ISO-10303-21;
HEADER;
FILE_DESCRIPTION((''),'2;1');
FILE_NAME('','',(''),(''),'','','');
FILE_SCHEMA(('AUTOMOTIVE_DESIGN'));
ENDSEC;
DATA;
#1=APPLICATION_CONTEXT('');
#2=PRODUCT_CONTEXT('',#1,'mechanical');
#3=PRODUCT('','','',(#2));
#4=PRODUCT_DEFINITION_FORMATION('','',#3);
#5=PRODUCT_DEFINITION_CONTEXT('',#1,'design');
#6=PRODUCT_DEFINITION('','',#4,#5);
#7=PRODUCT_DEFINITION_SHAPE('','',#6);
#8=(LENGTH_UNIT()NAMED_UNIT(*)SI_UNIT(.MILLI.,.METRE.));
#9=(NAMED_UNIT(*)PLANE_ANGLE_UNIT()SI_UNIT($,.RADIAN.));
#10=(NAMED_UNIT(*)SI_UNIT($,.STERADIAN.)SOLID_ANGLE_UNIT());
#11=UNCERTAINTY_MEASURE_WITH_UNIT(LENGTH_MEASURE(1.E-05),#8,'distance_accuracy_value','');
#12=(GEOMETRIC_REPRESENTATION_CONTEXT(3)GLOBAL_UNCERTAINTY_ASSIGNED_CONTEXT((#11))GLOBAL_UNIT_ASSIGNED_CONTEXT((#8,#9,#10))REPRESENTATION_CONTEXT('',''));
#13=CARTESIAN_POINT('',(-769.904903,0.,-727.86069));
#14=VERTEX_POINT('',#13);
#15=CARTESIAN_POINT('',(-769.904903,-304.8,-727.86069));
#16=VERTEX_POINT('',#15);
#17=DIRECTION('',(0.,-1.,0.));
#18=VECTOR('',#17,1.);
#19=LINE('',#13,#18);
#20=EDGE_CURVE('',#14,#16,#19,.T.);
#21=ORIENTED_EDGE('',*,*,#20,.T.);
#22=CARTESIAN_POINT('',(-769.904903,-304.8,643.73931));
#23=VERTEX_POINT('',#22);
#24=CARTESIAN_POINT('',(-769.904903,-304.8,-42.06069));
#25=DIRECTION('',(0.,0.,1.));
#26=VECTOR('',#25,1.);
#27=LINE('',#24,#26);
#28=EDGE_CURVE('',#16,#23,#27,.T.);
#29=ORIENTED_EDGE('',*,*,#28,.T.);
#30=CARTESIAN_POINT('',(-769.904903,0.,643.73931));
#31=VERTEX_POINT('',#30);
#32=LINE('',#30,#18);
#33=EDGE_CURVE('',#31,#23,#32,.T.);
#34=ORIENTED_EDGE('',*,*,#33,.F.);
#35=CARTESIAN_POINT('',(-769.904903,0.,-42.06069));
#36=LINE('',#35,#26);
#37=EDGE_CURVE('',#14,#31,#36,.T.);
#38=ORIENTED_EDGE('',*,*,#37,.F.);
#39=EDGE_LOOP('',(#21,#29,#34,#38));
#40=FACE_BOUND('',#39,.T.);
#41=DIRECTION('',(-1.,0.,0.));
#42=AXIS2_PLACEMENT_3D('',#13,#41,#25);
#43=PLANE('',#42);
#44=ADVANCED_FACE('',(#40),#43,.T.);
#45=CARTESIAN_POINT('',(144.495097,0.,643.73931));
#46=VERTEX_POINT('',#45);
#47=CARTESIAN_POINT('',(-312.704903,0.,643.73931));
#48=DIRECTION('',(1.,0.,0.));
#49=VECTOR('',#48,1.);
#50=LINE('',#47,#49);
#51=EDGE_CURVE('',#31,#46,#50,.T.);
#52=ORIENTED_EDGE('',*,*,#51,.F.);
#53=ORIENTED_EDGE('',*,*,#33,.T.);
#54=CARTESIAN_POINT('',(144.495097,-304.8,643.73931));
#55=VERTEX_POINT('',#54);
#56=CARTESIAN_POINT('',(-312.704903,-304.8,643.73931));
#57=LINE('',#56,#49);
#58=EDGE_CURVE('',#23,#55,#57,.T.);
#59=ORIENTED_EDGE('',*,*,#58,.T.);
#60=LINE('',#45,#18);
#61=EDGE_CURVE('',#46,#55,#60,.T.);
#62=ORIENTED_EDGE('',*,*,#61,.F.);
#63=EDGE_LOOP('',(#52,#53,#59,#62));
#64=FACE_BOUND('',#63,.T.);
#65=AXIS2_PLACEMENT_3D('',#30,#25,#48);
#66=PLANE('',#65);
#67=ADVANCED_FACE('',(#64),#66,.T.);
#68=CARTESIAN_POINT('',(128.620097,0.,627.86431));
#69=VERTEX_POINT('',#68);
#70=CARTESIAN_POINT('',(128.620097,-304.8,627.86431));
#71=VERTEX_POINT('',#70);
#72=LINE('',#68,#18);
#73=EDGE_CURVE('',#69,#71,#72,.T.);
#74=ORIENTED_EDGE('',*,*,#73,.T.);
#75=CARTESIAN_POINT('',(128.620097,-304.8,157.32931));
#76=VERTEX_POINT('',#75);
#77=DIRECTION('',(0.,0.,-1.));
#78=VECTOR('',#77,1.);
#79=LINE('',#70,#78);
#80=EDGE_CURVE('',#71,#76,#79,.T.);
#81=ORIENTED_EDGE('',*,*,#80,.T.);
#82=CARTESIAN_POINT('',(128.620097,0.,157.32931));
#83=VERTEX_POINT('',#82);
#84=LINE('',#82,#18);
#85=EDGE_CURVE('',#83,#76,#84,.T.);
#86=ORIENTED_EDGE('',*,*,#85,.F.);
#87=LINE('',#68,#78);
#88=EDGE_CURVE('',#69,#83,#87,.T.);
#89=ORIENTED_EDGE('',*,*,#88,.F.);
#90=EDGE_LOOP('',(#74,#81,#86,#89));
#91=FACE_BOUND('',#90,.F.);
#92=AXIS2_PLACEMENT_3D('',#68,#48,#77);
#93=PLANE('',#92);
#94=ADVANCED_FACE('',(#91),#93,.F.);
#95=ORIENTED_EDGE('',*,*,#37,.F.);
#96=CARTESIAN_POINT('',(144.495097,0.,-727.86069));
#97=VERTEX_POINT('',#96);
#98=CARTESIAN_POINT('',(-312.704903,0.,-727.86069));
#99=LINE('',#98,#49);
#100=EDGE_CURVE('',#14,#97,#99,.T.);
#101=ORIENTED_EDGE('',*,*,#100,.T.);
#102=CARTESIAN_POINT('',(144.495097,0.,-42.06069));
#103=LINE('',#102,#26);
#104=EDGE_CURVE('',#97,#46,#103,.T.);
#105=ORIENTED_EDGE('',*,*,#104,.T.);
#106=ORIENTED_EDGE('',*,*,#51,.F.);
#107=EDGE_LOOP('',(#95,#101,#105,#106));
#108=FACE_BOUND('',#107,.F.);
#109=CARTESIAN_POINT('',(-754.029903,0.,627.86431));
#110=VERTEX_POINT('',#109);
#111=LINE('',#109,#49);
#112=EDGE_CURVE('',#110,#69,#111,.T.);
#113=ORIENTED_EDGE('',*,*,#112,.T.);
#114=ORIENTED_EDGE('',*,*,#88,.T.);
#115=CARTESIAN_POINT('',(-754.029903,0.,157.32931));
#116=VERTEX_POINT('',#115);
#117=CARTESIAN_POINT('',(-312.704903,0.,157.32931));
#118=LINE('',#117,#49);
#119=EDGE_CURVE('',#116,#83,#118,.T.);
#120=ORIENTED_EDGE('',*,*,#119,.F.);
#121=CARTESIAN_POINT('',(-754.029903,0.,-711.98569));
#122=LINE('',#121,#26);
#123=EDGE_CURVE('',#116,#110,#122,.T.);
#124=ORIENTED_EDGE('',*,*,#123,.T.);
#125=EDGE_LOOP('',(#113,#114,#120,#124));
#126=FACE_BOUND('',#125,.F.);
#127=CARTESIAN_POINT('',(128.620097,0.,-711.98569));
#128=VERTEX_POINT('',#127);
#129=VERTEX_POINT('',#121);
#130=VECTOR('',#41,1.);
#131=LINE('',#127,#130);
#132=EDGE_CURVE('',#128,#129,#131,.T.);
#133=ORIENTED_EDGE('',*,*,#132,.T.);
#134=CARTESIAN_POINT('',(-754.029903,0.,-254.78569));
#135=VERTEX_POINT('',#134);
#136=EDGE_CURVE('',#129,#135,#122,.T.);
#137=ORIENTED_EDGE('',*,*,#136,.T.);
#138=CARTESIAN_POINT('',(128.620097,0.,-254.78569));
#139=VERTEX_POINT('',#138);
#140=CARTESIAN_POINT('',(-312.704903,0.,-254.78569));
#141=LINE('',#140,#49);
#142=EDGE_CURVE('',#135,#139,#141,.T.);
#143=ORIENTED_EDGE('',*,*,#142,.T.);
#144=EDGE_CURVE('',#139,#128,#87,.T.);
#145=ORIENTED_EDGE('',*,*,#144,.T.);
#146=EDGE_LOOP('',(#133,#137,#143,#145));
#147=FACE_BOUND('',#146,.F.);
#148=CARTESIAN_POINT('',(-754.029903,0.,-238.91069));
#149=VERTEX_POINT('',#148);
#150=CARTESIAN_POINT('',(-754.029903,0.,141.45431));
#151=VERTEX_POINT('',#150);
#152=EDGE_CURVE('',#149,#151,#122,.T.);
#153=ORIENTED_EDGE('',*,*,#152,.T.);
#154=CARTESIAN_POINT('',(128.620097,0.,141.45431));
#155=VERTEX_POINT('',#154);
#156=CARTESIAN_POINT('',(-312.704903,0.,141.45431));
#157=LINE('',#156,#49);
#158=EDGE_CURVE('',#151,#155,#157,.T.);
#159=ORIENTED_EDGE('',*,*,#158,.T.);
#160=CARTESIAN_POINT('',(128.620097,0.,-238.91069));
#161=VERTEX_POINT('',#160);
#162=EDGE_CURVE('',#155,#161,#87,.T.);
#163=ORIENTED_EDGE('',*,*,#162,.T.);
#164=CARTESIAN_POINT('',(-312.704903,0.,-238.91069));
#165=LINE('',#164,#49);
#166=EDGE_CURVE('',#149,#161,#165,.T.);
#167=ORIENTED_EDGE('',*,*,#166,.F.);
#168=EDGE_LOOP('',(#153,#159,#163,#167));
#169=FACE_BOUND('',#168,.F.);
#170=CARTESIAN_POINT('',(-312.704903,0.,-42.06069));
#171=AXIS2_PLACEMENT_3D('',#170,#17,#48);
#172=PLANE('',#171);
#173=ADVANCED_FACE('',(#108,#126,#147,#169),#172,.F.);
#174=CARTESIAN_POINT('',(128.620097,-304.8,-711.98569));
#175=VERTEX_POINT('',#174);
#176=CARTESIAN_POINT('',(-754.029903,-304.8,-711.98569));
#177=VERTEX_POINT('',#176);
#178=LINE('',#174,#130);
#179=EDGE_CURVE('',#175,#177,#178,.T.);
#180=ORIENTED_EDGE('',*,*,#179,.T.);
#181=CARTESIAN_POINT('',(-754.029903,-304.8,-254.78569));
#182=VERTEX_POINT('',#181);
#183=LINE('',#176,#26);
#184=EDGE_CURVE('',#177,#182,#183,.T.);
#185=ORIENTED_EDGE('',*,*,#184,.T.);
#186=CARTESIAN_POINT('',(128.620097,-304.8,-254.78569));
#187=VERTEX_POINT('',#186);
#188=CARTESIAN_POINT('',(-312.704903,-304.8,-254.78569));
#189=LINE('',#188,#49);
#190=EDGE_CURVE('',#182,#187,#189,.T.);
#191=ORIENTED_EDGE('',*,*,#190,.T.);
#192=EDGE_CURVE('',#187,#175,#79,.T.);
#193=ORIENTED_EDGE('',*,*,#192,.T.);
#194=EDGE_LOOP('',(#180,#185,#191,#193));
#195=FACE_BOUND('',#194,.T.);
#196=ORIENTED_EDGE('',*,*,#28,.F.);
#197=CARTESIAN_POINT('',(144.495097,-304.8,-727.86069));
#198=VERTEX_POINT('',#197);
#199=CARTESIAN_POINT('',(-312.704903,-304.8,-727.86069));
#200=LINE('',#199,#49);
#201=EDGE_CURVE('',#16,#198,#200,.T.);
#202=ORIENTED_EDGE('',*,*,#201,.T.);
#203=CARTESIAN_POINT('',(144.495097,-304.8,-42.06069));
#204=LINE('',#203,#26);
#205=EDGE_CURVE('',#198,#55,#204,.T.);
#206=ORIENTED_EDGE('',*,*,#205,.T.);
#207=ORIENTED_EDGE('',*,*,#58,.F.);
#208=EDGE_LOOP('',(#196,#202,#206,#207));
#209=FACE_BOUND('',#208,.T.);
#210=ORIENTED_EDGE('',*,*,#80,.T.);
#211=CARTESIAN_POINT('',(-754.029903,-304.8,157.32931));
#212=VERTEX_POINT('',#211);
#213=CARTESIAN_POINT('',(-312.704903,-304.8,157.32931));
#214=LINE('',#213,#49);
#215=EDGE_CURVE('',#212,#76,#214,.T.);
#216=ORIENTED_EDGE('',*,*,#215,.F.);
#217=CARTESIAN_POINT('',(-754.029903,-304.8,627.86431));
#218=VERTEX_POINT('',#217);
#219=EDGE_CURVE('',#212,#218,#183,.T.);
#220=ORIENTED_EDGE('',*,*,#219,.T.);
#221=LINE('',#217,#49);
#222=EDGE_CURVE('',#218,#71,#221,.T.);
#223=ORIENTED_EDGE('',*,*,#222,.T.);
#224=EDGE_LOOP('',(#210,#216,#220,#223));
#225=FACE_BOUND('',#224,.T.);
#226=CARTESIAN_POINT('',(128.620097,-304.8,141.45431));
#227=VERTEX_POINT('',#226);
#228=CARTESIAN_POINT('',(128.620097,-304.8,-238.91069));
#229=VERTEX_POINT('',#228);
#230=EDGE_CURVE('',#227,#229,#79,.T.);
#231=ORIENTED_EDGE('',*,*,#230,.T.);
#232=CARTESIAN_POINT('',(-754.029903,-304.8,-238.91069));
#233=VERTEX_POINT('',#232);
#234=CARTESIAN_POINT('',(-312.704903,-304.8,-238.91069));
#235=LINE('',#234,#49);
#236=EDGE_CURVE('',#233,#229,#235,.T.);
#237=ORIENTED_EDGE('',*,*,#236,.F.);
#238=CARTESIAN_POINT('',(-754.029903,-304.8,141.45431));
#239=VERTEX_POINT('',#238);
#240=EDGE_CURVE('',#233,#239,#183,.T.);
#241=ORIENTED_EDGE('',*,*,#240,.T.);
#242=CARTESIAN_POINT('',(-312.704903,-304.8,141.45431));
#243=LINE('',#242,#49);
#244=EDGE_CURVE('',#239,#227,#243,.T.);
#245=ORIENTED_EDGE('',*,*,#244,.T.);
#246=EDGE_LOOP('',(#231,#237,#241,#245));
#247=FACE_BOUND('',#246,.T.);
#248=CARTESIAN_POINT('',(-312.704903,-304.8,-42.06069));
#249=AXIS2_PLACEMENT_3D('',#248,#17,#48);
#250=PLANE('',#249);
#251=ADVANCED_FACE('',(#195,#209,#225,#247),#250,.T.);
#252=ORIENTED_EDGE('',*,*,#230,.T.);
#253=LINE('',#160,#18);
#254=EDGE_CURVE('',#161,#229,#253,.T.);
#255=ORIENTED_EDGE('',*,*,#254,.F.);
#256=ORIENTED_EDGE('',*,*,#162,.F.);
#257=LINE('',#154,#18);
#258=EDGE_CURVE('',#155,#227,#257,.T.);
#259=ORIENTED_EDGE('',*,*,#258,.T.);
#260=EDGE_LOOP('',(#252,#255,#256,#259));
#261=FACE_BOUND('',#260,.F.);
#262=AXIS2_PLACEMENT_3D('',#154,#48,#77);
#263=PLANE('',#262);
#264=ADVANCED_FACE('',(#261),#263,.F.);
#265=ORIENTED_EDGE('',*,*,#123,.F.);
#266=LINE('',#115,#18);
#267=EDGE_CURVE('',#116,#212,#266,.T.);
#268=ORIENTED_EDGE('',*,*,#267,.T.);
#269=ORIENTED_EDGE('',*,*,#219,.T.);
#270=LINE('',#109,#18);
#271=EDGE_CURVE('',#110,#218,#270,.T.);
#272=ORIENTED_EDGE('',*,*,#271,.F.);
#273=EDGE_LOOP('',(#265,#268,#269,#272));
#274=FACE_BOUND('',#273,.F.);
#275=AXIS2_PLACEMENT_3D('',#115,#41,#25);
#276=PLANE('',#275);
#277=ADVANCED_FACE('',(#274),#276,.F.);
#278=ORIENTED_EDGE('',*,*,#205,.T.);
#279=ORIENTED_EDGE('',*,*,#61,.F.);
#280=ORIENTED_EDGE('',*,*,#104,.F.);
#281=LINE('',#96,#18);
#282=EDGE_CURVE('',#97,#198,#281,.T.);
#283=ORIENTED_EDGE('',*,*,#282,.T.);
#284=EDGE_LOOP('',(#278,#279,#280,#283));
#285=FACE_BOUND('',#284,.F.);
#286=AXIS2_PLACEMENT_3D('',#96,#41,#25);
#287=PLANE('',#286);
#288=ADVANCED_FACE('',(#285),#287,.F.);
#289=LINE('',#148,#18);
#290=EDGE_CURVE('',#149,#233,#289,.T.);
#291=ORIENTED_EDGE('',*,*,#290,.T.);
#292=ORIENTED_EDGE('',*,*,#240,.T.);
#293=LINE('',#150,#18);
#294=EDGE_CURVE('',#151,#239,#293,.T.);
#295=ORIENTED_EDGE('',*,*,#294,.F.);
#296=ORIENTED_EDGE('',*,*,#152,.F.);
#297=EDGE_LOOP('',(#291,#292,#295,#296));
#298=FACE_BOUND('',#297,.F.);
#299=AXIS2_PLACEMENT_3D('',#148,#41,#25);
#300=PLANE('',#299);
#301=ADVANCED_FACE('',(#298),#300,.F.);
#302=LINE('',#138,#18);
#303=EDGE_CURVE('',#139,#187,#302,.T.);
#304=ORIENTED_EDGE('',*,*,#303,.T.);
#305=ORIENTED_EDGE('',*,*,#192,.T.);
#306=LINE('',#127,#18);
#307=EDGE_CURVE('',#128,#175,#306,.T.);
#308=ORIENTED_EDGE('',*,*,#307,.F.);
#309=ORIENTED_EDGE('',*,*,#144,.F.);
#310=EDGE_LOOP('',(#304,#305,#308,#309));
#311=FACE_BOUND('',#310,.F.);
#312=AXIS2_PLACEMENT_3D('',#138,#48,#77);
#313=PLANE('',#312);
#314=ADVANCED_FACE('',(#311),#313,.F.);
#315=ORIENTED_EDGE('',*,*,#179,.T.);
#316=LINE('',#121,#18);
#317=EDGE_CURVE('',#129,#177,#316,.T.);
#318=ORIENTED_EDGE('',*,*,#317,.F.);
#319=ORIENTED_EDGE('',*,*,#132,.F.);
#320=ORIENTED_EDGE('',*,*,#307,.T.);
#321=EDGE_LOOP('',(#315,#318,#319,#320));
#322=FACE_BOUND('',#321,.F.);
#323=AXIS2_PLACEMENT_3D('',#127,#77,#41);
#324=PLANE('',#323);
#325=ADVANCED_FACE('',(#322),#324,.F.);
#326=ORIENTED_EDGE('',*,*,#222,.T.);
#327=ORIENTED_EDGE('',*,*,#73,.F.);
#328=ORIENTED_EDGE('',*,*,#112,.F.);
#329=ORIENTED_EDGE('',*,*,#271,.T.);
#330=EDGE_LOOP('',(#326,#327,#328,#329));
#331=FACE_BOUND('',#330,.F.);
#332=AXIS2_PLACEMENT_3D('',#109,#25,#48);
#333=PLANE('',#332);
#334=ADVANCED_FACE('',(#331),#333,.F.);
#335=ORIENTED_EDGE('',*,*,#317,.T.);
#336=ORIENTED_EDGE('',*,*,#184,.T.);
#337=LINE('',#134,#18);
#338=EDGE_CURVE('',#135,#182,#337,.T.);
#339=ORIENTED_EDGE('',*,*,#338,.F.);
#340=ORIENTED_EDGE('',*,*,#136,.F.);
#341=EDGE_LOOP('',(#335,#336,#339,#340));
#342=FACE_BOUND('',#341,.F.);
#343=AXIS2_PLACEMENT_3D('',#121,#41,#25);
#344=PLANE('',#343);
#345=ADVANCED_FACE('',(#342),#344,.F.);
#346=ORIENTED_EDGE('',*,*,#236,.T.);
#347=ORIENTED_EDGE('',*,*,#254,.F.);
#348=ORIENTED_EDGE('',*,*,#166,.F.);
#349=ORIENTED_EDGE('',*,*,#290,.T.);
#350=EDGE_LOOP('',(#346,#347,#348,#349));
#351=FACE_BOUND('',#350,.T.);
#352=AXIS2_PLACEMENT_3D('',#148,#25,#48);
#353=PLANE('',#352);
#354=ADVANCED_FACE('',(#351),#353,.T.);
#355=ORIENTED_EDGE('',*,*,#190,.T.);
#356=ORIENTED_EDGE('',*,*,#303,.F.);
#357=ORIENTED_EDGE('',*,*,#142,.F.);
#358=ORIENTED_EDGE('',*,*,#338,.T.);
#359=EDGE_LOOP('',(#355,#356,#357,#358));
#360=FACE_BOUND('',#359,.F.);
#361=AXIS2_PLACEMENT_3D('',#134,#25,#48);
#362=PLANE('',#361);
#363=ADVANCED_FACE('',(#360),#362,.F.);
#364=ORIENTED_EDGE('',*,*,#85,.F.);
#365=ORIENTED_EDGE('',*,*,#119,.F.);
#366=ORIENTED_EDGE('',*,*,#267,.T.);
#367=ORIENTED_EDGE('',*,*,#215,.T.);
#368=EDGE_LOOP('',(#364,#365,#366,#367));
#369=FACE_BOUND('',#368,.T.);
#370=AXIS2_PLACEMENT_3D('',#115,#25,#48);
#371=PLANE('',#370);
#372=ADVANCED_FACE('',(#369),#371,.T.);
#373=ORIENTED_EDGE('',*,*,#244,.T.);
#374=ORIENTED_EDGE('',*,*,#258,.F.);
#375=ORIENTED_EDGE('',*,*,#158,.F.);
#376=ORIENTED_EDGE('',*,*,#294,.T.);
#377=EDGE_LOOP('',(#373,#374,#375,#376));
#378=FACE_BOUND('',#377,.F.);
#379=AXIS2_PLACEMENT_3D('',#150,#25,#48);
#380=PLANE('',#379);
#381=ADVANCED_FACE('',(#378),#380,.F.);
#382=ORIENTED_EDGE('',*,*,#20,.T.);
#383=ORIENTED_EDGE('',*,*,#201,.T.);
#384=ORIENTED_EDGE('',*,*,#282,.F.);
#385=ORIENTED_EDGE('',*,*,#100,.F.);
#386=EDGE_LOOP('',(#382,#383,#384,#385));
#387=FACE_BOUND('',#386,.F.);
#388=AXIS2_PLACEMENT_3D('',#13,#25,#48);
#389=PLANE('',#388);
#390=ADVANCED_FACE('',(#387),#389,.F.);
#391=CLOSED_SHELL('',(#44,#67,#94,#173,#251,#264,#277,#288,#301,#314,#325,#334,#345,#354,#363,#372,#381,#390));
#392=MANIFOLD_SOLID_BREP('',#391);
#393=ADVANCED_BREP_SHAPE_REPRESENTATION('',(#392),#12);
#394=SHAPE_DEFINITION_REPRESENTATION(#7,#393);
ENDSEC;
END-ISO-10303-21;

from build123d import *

# Parameters (mm, degrees)
F0_W     = 914.4
F0_H     = 1371.6
F0_W_2   = 882.65
F0_H_2   = 15.875
F1_DEPTH = 304.8


with BuildPart() as f1:
    # F0 (on Front) → F1 (new body)
    with BuildSketch(Plane.XZ):
        with Locations((-312.704903, -42.06069)):
            Rectangle(F0_W, F0_H)
        Polygon((-754.029903, 157.32931), (-754.029903, 627.86431), (128.620097, 627.86431), (128.620097, 157.32931), (128.620097, 141.45431), (128.620097, -238.91069), (128.620097, -254.78569), (128.620097, -711.98569), (-754.029903, -711.98569), (-754.029903, -254.78569), (-754.029903, -238.91069), (-754.029903, 141.45431), align=None, mode=Mode.SUBTRACT)
        with Locations((-312.704903, 149.39181)):
            Rectangle(F0_W_2, F0_H_2)
        with Locations((-312.704903, -246.84819)):
            Rectangle(F0_W_2, F0_H_2)
    extrude(amount=F1_DEPTH)


solid = f1.part
